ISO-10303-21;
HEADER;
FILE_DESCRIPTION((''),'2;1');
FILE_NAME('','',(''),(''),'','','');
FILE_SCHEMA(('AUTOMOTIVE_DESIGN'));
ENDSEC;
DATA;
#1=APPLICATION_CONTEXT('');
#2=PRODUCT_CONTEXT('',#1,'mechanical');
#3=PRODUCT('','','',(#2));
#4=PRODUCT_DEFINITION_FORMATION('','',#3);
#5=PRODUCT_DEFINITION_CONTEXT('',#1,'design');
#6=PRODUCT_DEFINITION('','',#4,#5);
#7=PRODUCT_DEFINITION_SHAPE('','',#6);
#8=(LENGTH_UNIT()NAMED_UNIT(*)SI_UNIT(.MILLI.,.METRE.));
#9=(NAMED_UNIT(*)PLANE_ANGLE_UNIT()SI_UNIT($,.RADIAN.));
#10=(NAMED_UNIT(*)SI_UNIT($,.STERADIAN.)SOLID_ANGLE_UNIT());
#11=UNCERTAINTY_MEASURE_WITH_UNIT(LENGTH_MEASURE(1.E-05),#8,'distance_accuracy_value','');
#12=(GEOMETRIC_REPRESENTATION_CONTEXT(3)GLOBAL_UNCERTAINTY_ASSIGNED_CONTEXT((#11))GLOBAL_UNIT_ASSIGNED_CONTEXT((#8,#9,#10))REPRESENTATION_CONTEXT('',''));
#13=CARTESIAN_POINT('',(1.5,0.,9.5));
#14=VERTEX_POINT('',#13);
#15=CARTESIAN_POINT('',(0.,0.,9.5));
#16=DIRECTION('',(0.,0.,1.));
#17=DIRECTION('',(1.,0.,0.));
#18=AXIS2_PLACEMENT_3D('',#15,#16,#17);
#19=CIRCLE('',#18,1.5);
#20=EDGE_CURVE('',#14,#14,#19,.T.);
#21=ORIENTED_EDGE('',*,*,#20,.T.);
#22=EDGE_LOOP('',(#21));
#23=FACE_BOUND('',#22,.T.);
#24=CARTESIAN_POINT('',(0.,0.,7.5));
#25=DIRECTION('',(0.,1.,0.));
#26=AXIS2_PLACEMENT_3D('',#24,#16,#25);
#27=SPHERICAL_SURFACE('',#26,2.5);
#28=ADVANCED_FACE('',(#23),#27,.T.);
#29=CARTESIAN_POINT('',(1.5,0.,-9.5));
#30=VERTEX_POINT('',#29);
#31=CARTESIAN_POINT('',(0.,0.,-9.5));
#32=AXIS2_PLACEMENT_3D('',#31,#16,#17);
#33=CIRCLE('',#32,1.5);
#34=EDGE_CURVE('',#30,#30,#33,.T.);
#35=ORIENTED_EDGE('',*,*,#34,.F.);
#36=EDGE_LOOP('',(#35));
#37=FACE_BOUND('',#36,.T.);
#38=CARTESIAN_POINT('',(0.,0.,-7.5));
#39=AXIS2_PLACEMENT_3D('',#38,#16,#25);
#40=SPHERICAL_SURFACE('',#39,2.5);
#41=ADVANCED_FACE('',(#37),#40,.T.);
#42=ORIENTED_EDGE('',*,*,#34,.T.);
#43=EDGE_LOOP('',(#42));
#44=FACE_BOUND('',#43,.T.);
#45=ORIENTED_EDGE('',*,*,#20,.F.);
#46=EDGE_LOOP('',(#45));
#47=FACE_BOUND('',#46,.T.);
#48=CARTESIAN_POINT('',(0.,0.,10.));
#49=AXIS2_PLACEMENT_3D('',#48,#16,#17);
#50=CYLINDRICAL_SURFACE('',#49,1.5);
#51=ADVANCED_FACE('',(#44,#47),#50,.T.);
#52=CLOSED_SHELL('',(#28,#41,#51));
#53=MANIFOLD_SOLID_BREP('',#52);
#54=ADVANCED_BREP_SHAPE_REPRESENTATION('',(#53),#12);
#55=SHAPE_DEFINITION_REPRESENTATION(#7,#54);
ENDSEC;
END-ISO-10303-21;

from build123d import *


with BuildPart() as part:
    # 草圖1 → 旋轉1 (revolve)
    with BuildSketch(Plane(origin=(0, 0, 0), x_dir=(0, 0, -1), z_dir=(1, 0, 0))):
        with BuildLine():
            Line((-9.5, 1.5), (9.5, 1.5))
            ThreePointArc((9.5, 1.5), (9.871708245, 0.790569415), (10, 0))
            Line((10, 0), (-10, 0))
            ThreePointArc((-10, 0), (-9.871708245, 0.790569415), (-9.5, 1.5))
        make_face()
    revolve(axis=Axis((0, 0, 10), (0, 0, -1)))


solid = part.part
